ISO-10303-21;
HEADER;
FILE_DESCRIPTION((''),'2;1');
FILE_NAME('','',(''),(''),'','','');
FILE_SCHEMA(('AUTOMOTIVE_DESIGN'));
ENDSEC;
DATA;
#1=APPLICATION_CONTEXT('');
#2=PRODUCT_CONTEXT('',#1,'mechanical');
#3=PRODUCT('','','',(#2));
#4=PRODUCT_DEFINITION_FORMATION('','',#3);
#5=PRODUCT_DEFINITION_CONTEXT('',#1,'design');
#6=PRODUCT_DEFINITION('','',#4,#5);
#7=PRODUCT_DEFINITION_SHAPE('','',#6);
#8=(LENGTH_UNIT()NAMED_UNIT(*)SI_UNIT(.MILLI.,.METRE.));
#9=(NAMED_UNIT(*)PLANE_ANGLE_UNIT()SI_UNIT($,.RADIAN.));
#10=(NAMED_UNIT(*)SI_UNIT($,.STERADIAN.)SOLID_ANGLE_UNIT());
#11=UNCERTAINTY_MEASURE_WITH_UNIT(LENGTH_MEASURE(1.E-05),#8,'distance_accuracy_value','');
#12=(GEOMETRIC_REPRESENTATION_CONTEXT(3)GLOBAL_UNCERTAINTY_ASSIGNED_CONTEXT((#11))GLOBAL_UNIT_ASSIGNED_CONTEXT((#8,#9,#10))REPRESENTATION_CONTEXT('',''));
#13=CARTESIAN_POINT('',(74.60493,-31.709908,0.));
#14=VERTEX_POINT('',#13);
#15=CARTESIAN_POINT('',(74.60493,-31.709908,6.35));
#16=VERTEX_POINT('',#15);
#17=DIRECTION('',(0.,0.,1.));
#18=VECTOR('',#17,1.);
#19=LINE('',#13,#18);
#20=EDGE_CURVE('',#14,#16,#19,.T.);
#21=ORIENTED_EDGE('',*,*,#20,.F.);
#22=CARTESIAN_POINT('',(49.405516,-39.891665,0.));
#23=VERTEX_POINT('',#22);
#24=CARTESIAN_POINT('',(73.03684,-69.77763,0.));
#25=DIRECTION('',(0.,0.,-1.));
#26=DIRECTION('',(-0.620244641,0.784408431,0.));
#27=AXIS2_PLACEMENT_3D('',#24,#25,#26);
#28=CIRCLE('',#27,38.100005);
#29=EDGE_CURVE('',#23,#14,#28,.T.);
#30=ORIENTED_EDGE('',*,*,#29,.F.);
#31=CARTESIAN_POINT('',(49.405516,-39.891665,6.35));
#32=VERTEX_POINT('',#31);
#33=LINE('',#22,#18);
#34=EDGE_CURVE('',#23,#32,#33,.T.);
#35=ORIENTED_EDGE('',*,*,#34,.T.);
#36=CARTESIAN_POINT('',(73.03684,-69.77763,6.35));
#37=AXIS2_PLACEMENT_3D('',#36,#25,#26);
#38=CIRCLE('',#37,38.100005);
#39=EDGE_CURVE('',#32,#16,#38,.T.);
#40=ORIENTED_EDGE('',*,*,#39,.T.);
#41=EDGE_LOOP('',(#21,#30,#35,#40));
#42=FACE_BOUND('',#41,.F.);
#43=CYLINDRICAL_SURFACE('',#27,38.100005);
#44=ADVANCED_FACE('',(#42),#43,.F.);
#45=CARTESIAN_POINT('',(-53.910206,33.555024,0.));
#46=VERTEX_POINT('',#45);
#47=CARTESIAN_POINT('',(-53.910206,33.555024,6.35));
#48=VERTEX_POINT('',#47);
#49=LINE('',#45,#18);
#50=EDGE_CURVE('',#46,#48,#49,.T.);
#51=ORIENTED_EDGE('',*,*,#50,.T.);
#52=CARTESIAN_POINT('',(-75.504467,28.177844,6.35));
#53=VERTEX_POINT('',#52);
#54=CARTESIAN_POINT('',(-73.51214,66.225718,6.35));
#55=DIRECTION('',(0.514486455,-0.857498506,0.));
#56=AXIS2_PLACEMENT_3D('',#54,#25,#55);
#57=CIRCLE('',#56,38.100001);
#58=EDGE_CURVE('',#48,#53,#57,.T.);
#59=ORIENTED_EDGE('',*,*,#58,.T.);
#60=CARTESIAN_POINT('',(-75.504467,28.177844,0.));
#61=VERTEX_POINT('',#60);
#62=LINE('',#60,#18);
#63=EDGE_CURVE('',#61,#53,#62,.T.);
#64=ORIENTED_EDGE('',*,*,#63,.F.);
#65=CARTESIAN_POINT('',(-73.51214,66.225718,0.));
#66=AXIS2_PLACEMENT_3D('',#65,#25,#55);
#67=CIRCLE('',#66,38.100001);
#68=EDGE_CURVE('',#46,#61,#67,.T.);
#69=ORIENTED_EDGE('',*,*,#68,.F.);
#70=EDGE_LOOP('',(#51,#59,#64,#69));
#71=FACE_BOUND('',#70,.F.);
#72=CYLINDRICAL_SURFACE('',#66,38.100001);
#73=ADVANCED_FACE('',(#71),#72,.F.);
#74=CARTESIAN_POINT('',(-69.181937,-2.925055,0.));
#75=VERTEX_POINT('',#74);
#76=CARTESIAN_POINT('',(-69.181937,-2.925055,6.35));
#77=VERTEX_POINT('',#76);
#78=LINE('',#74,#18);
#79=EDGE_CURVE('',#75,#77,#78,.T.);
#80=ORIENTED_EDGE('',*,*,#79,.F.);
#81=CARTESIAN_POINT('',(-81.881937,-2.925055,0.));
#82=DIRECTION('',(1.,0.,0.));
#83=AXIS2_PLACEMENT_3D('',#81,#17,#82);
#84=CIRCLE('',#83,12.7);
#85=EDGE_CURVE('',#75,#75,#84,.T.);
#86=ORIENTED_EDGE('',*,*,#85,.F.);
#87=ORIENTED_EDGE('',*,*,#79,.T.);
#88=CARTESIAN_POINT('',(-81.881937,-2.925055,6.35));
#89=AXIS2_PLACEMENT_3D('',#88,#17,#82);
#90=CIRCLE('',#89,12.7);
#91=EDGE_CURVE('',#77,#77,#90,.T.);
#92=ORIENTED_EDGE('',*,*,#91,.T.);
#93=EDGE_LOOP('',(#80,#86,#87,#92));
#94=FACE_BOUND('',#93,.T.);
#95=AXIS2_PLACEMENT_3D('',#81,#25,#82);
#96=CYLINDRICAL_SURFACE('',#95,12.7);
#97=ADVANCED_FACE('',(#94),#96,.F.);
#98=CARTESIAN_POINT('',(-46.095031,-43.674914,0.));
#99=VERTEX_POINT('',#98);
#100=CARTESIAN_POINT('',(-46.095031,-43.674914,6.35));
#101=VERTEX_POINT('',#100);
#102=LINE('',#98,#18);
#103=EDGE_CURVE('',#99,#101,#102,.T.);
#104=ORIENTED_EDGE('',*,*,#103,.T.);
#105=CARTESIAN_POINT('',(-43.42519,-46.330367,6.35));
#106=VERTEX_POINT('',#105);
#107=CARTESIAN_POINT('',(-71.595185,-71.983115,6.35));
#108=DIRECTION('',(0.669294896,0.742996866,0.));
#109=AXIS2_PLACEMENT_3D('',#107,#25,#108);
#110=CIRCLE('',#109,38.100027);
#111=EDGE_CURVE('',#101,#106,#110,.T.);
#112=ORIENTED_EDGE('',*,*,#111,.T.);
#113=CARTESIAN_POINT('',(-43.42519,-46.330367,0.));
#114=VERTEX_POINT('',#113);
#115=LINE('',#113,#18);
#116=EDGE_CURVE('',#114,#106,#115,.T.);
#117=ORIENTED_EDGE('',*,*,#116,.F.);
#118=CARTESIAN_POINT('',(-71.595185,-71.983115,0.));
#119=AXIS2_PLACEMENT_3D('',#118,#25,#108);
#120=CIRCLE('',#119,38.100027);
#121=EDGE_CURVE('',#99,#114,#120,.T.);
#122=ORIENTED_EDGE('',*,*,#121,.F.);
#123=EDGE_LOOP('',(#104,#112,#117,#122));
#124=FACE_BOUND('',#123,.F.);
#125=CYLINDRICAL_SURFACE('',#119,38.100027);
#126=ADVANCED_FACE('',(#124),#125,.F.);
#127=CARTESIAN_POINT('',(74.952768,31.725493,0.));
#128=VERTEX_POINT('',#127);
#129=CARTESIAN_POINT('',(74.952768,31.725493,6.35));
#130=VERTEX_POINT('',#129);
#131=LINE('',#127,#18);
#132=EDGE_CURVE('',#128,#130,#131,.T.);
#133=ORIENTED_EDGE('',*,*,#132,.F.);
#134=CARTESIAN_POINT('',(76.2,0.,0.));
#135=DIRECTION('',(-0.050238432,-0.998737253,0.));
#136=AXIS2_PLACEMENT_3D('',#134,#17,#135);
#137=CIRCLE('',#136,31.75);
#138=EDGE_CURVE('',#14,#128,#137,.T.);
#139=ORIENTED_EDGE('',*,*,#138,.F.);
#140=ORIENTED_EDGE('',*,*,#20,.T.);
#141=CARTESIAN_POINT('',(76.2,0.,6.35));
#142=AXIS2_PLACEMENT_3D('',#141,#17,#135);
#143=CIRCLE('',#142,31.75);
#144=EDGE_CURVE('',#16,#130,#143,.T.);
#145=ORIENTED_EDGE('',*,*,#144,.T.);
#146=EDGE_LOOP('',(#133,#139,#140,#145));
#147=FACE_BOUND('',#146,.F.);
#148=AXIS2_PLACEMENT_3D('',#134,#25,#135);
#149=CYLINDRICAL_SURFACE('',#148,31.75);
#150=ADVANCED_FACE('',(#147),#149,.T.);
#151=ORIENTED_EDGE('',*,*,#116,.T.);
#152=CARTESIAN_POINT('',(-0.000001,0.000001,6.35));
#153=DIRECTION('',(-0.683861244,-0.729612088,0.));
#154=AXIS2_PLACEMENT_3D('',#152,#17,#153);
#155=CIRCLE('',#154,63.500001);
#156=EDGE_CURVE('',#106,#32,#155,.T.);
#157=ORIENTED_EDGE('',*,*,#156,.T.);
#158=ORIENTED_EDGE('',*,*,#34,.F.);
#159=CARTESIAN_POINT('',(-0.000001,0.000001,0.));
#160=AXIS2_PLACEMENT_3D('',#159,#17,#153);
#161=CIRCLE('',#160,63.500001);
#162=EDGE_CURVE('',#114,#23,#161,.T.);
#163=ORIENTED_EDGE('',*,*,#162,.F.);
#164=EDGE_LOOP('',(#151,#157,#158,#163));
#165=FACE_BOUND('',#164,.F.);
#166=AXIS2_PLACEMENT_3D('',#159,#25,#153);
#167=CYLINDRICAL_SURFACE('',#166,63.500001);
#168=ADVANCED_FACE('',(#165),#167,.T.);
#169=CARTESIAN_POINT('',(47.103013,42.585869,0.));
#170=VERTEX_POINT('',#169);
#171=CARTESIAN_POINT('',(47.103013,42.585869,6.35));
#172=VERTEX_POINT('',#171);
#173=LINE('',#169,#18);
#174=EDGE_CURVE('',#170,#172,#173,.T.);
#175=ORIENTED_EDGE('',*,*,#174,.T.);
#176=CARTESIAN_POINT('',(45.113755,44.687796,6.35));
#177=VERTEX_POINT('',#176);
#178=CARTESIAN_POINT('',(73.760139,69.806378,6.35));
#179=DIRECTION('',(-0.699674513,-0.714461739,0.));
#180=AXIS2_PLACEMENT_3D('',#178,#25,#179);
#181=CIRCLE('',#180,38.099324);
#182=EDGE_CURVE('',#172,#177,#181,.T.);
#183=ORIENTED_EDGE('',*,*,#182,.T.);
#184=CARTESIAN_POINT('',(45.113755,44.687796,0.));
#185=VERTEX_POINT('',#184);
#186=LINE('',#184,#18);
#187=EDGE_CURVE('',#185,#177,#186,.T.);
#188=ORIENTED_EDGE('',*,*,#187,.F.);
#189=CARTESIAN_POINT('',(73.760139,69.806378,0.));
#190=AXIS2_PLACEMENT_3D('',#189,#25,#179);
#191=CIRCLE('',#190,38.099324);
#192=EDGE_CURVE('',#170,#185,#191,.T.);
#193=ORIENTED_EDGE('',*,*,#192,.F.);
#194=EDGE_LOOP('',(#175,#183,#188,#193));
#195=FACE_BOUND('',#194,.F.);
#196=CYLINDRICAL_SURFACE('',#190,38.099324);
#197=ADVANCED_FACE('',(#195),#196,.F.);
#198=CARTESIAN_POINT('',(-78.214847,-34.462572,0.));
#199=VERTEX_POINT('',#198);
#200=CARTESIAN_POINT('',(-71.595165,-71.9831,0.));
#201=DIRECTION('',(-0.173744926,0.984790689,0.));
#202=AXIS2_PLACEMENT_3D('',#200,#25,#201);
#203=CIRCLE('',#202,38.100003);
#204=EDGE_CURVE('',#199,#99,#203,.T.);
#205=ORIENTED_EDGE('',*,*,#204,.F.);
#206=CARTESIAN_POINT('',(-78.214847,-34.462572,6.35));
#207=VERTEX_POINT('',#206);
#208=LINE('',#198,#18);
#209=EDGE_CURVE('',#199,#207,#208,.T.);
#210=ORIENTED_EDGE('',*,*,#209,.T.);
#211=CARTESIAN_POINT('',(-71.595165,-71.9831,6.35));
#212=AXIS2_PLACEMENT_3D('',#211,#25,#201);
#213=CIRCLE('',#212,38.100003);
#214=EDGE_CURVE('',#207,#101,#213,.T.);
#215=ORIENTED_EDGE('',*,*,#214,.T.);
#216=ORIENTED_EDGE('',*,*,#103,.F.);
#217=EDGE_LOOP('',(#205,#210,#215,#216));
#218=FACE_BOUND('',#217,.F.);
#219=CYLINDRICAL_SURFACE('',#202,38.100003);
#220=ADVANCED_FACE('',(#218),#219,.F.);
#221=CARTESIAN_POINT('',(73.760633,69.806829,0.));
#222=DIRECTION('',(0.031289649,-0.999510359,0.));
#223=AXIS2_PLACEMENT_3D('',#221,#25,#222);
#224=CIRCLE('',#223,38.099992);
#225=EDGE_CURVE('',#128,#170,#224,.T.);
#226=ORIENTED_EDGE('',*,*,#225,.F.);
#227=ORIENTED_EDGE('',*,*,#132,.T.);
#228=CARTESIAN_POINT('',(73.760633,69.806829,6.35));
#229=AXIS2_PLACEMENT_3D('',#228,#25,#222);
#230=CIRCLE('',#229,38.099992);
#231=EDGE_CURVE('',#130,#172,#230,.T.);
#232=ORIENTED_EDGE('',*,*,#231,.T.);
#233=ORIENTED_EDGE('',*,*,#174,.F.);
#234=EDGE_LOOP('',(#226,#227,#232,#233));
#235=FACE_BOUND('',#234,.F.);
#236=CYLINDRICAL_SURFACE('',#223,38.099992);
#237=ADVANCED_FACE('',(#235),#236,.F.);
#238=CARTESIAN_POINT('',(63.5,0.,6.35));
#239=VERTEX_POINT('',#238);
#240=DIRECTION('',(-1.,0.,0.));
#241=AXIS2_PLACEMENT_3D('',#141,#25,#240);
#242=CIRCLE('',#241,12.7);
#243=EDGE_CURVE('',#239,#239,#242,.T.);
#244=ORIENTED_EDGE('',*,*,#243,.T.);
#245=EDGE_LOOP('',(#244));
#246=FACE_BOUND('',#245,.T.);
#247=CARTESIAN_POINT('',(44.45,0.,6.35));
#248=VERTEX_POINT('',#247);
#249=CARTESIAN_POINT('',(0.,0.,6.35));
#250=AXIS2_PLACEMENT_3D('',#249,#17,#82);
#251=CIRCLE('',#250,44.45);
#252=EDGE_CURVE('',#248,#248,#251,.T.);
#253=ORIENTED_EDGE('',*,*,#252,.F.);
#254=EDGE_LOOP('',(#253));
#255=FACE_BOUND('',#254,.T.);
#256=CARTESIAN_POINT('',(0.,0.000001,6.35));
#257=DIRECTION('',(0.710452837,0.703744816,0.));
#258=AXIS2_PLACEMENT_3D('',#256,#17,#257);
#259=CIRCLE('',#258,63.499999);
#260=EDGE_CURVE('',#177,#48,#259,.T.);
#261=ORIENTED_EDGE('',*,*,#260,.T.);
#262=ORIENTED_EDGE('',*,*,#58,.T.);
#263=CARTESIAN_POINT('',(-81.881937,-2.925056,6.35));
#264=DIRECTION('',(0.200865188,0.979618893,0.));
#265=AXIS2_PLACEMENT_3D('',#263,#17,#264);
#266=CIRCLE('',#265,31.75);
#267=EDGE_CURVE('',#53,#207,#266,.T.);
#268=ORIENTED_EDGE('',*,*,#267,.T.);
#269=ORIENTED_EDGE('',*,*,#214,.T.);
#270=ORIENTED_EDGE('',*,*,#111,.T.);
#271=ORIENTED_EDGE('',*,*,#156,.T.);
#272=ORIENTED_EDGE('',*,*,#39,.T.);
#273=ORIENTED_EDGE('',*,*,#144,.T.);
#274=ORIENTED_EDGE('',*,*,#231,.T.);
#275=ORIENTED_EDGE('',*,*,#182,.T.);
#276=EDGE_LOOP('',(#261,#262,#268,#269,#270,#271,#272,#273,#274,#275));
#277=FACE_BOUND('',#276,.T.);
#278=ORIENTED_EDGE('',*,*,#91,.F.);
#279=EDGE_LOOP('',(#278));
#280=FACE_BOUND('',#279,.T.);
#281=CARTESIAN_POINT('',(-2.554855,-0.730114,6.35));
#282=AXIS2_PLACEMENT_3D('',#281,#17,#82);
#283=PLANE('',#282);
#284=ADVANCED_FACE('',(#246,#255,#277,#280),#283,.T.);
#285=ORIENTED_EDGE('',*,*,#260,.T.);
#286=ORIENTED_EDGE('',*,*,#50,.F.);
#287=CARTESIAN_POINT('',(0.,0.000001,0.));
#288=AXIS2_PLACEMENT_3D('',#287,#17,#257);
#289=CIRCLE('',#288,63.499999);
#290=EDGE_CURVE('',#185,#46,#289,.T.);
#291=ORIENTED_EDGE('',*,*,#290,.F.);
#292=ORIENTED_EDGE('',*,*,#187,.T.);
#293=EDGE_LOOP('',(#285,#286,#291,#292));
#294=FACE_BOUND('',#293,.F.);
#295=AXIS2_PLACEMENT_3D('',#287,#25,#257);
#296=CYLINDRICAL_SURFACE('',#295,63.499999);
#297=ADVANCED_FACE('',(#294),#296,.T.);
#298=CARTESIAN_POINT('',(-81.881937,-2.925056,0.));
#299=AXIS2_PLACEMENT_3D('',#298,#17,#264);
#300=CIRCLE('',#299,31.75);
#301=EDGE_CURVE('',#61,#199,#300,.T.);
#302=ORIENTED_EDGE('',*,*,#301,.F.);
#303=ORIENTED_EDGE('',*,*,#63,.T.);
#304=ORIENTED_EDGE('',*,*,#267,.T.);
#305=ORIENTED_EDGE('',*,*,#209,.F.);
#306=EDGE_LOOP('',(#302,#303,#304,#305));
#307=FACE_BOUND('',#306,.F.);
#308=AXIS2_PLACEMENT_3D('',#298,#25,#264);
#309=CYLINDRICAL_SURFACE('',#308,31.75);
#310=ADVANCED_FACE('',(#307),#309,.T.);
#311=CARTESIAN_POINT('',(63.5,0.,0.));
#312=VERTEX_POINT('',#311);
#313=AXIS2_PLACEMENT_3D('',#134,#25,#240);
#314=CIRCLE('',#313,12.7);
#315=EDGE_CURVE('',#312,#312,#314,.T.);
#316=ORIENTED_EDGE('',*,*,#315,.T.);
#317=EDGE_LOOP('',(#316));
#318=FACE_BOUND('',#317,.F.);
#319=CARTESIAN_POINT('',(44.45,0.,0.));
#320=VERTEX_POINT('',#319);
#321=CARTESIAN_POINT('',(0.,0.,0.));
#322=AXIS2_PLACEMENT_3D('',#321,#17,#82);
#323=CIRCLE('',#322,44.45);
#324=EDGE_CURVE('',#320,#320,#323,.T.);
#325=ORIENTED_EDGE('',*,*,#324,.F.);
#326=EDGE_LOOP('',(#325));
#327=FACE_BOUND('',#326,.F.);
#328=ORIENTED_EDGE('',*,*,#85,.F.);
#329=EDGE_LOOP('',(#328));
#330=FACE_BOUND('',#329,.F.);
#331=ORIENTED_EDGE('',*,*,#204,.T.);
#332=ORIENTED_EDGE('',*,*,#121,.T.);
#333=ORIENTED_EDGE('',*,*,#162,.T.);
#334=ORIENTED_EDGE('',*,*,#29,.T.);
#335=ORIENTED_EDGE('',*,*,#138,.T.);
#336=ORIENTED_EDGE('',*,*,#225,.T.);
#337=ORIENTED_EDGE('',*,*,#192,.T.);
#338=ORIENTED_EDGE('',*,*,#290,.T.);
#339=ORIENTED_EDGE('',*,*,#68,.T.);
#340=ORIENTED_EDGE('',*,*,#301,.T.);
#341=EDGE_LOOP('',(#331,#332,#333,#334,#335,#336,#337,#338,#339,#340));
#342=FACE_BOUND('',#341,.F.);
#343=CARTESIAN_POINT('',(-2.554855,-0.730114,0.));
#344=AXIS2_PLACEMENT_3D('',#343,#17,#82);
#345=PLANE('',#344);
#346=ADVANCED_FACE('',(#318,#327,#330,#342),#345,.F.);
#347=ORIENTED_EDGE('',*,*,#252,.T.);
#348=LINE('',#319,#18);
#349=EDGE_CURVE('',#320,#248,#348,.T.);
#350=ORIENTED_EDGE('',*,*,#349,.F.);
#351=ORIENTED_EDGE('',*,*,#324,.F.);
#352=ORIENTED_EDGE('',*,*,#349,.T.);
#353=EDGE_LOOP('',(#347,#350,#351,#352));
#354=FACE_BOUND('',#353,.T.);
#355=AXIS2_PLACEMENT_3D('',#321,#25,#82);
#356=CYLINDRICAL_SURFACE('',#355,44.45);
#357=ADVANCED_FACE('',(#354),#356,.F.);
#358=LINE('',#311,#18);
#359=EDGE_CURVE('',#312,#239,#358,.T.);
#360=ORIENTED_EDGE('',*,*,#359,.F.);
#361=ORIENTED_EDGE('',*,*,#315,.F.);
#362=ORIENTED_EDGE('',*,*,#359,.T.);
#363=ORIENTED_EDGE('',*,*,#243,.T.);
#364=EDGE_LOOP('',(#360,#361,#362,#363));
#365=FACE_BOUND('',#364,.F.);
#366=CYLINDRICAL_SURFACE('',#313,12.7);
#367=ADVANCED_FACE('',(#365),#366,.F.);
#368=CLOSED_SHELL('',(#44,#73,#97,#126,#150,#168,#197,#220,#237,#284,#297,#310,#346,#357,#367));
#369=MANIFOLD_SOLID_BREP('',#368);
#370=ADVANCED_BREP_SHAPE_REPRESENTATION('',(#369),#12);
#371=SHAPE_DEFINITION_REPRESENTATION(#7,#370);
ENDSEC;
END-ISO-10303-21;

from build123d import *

# Parameters (mm, degrees)
F0_R     = 12.7
F0_R_2   = 44.45
F1_DEPTH = 6.35


with BuildPart() as f1:
    # F0 (on Top) → F1 (new body)
    with BuildSketch(Plane.XY):
        with BuildLine():
            ThreePointArc((-78.214847, -34.462572), (-61.091134, -35.359671), (-46.095031, -43.674914))
            ThreePointArc((-46.095031, -43.674914), (-44.727285, -44.969636), (-43.42519, -46.330367))
            ThreePointArc((-43.42519, -46.330367), (4.393779, -63.347807), (49.405516, -39.891665))
            ThreePointArc((49.405516, -39.891665), (61.271133, -33.539825), (74.60493, -31.709908))
            ThreePointArc((74.60493, -31.709908), (107.949523, -0.174093), (74.952768, 31.725493))
            ThreePointArc((74.952768, 31.725493), (59.918318, 34.310355), (47.103013, 42.585869))
            ThreePointArc((47.103013, 42.585869), (46.088419, 43.617938), (45.113755, 44.687796))
            ThreePointArc((45.113755, 44.687796), (-7.094296, 63.102464), (-53.910206, 33.555024))
            ThreePointArc((-53.910206, 33.555024), (-64.305996, 29.254689), (-75.504467, 28.177844))
            ThreePointArc((-75.504467, 28.177844), (-113.602257, -1.552553), (-78.214847, -34.462572))
        make_face()
        with Locations((-81.881937, -2.925055)):
            Circle(F0_R, mode=Mode.SUBTRACT)
        Circle(F0_R_2, mode=Mode.SUBTRACT)
        with BuildLine():
            ThreePointArc((88.9, 0), (76.2, -12.7), (63.5, 0))
            ThreePointArc((63.5, 0), (76.2, 12.7), (88.9, 0))
        make_face(mode=Mode.SUBTRACT)
    extrude(amount=F1_DEPTH)


solid = f1.part
